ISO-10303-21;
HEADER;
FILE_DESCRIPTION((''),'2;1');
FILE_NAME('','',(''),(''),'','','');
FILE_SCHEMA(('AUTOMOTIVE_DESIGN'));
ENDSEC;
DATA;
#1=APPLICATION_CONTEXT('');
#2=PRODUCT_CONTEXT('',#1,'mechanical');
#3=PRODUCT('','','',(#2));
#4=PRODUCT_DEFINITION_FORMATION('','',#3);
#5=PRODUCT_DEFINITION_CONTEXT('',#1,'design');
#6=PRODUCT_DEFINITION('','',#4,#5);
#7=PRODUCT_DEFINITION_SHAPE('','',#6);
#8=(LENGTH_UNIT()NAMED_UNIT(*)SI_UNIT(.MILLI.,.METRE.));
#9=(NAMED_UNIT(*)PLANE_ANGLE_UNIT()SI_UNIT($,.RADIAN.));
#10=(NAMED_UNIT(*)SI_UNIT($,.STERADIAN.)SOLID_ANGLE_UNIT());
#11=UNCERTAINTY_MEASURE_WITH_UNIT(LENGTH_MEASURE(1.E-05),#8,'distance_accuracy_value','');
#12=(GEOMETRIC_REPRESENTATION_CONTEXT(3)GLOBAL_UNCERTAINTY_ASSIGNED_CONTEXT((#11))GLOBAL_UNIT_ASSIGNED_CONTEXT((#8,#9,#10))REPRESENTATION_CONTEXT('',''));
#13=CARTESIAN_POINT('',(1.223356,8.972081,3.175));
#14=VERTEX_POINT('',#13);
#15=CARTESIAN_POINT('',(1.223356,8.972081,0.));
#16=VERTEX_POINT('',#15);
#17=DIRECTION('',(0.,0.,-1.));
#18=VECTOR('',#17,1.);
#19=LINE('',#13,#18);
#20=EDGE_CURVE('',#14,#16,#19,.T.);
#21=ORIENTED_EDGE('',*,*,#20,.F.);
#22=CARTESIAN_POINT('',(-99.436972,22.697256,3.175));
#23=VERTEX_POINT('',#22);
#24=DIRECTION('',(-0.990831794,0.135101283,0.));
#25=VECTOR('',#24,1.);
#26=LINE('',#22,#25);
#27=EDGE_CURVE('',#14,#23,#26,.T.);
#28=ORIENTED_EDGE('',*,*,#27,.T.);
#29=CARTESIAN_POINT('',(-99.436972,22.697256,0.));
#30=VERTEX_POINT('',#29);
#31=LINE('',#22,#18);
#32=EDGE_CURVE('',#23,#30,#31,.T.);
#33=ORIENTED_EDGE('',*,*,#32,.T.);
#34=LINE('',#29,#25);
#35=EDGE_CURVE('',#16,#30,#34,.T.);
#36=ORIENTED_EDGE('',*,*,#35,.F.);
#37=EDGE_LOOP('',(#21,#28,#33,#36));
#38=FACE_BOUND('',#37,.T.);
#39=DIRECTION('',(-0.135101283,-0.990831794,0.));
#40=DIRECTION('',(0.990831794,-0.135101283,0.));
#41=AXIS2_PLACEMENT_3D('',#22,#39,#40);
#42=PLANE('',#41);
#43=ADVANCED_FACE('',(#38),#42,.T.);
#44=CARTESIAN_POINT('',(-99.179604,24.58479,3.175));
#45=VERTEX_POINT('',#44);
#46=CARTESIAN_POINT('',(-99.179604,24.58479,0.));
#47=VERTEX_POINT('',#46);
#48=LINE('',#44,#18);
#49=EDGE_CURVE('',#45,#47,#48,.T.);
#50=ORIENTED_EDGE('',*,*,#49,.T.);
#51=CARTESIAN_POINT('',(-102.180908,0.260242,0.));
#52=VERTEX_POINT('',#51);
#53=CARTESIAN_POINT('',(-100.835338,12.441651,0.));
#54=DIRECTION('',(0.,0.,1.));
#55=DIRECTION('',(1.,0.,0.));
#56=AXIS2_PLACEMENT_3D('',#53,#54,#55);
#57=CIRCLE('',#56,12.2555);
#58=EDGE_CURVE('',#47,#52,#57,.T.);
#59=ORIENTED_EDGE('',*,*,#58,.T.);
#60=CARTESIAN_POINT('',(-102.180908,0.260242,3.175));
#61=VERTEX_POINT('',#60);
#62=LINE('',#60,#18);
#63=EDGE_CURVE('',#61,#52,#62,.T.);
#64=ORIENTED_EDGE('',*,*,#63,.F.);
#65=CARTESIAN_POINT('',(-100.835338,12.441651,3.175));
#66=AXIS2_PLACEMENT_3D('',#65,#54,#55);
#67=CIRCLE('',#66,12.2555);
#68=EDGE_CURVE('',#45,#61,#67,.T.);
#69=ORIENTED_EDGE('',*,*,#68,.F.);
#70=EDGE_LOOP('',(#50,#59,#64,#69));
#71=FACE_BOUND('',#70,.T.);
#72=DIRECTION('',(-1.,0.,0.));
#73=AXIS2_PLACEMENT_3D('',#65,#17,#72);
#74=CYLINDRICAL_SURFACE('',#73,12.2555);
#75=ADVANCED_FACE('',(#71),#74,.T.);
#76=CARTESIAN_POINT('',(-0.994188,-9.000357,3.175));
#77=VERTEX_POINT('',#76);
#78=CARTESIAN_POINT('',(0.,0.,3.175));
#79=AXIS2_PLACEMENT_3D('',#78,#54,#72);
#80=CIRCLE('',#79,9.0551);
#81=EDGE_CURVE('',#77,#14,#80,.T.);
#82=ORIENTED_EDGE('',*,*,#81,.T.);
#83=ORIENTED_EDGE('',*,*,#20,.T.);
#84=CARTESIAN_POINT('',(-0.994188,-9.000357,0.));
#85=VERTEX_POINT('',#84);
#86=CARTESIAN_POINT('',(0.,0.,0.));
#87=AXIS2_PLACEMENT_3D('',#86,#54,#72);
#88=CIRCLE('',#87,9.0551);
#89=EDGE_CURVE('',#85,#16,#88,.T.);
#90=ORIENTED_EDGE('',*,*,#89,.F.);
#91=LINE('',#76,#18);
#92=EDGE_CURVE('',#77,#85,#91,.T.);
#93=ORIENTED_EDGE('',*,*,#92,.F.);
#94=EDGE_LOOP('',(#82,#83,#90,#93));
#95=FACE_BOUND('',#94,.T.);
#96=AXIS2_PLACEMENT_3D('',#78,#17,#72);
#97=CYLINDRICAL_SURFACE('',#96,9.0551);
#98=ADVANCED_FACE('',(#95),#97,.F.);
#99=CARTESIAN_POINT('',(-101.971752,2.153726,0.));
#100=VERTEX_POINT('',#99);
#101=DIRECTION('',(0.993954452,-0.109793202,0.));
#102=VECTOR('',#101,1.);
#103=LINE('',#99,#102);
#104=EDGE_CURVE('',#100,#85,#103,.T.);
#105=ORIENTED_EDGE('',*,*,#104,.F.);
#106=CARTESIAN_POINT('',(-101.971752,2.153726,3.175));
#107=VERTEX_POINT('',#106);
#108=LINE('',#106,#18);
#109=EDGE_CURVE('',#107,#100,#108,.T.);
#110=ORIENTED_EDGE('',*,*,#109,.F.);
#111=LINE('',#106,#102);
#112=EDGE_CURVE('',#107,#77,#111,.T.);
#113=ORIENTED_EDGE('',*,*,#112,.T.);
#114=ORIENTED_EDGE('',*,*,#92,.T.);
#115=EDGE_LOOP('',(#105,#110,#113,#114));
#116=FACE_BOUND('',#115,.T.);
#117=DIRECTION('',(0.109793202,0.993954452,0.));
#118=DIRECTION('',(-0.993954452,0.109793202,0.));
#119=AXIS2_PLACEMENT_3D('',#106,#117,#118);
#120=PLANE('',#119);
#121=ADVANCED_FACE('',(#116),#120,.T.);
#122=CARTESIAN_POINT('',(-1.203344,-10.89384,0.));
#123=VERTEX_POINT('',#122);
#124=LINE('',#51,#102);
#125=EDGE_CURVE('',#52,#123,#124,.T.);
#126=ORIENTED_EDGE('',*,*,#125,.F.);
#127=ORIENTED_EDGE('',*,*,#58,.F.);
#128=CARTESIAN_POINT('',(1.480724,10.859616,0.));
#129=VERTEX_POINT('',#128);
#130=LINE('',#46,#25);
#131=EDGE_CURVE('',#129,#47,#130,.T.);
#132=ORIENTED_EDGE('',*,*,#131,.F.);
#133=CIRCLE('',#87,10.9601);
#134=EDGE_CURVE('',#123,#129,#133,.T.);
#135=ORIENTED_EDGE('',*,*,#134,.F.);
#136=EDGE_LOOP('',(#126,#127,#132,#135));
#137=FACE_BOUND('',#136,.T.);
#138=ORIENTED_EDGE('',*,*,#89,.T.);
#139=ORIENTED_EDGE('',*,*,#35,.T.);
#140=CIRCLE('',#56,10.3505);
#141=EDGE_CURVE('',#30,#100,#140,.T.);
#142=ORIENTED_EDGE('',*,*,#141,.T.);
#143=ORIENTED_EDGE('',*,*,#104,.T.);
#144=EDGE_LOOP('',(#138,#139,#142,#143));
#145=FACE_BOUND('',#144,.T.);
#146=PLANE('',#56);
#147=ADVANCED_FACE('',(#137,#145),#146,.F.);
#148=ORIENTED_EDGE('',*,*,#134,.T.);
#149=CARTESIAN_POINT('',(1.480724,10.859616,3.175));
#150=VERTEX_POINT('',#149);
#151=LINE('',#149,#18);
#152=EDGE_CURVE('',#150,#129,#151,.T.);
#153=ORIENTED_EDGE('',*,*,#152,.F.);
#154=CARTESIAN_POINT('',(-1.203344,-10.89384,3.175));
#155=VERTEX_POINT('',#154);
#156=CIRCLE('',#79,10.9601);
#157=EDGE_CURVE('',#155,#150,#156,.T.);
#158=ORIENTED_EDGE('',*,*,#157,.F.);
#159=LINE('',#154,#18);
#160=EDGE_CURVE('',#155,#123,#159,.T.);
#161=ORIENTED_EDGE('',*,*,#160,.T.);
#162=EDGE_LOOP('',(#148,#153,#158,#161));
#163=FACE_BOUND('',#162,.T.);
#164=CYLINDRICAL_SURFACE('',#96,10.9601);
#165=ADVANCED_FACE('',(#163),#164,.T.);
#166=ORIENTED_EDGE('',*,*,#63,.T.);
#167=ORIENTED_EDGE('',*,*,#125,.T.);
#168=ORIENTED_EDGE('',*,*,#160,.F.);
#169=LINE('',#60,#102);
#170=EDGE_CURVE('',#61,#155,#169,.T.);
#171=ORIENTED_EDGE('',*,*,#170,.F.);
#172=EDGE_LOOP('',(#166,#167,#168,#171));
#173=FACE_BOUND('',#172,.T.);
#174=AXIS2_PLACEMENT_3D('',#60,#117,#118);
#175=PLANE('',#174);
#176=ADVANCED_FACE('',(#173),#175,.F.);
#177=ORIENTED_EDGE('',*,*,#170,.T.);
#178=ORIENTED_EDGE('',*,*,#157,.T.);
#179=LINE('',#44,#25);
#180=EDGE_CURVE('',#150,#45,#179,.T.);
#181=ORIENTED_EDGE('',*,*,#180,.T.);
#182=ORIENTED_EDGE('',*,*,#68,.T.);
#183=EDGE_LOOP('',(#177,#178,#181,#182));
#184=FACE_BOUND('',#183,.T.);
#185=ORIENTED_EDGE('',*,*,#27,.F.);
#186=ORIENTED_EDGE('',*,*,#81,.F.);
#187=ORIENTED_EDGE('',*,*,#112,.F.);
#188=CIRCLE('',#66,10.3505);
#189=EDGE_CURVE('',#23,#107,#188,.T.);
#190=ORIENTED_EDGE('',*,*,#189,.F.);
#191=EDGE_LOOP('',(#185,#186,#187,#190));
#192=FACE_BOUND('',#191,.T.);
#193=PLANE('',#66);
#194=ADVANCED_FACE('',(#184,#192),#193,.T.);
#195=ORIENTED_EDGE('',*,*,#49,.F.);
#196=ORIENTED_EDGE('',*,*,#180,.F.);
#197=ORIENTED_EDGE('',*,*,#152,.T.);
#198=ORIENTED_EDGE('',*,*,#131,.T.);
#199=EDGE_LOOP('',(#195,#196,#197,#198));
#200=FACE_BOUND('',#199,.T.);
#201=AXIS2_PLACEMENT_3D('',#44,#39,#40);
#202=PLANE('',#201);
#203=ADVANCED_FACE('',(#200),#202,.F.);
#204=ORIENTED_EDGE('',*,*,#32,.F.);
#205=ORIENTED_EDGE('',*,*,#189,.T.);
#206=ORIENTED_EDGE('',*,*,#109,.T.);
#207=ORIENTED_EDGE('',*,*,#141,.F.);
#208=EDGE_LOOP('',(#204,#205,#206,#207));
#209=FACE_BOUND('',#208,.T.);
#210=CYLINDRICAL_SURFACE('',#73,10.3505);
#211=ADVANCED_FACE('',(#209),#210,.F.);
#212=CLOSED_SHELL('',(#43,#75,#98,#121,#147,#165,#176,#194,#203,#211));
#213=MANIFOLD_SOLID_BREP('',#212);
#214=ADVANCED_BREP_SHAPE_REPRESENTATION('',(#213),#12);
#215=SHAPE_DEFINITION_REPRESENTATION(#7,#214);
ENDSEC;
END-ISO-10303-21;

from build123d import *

# Parameters (mm, degrees)
BOSS_EXTRUDE1_DEPTH = 3.175


with BuildPart() as part:
    # Sketch1 → Boss-Extrude1 (new body)
    with BuildSketch(Plane.XY):
        with BuildLine():
            Line((-99.17960386, 24.584790198), (1.480723576, 10.859615541))
            ThreePointArc((1.480723576, 10.859615541), (10.877612048, -1.342143118), (-1.203344469, -10.893840191))
            Line((-1.203344469, -10.893840191), (-102.18090822, 0.260242363))
            ThreePointArc((-102.18090822, 0.260242363), (-112.998600241, 13.942425321), (-99.17960386, 24.584790198))
        make_face()
        with BuildLine():
            Line((-99.436971805, 22.697255631), (1.223355631, 8.972080974))
            ThreePointArc((1.223355631, 8.972080974), (8.986949467, -1.108862159), (-0.99418842, -9.000356959))
            Line((-0.99418842, -9.000356959), (-101.971752171, 2.153725595))
            ThreePointArc((-101.971752171, 2.153725595), (-111.10793766, 13.709144362), (-99.436971805, 22.697255631))
        make_face(mode=Mode.SUBTRACT)
    extrude(amount=BOSS_EXTRUDE1_DEPTH)


solid = part.part
